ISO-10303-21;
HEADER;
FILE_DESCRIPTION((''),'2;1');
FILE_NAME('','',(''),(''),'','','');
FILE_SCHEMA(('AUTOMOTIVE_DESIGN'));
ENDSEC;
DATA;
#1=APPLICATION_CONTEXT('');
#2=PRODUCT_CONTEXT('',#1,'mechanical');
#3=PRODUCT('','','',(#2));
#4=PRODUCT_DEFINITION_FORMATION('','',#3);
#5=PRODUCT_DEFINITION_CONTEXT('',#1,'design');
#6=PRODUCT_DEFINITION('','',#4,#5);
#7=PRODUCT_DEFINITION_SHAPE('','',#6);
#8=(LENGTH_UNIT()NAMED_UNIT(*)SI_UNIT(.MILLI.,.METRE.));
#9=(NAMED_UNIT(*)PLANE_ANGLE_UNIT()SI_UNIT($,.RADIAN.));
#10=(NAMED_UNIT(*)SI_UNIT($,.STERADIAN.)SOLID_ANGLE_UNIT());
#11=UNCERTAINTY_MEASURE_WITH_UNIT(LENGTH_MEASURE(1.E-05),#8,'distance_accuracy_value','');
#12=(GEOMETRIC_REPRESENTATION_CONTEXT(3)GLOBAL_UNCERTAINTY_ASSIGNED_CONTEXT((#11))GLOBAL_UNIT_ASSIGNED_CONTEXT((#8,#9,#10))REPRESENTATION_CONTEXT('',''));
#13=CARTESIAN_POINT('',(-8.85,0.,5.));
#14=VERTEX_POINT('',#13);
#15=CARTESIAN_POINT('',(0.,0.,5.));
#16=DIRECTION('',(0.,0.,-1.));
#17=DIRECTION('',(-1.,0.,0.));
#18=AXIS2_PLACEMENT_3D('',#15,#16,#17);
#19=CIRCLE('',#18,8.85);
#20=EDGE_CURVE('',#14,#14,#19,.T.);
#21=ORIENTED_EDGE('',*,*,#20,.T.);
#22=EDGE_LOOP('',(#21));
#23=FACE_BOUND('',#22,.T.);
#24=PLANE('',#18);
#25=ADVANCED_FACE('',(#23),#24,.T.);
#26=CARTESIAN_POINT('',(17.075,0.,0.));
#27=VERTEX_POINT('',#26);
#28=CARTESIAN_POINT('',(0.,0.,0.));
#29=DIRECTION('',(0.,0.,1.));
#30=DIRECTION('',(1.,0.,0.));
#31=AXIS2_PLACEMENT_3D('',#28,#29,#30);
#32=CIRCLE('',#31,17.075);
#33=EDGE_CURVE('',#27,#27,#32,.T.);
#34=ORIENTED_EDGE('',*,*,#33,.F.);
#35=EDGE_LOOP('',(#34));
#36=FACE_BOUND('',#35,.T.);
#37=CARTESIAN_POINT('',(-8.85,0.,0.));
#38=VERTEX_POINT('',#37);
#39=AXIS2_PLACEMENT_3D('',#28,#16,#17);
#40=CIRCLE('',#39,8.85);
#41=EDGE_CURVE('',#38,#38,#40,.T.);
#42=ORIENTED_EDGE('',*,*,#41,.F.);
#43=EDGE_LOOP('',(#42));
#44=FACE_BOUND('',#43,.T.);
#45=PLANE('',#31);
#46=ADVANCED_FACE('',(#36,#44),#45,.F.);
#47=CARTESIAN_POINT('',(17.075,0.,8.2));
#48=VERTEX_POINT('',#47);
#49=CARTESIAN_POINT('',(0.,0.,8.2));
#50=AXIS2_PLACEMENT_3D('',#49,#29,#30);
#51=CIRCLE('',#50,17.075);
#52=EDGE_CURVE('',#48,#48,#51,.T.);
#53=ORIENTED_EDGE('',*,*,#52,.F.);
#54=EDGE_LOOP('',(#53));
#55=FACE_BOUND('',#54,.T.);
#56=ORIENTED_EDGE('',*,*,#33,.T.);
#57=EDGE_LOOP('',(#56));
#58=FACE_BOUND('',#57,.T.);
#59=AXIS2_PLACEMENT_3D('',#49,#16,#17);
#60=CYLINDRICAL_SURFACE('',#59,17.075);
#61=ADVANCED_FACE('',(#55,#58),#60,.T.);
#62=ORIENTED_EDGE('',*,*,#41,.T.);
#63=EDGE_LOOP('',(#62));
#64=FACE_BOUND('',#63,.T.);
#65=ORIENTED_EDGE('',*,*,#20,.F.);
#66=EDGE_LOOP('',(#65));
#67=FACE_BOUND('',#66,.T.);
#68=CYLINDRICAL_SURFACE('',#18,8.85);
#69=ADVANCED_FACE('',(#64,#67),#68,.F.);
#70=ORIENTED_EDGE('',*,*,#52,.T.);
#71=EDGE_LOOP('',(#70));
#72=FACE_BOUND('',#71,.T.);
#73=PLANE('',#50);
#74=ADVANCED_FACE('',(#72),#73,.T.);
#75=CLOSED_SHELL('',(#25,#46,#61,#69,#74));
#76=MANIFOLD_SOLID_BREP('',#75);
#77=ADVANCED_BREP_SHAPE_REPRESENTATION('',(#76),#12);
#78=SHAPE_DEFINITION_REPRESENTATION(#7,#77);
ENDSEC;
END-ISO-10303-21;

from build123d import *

# Parameters (mm, degrees)
ESBO_O1_R                = 17.075
RESSALTO_EXTRUS_O1_DEPTH = 8.2
ESBO_O2_R                = 8.85
CORTE_EXTRUS_O1_DEPTH    = 5


with BuildPart() as part:
    # Esboço1 → Ressalto-extrusão1 (new body)
    with BuildSketch(Plane.XY):
        Circle(ESBO_O1_R)
    extrude(amount=RESSALTO_EXTRUS_O1_DEPTH)

    # Esboço2 → Corte-extrusão1 (cut)
    with BuildSketch(Plane(origin=(0, 0, 0), x_dir=(-1, 0, 0), z_dir=(0, 0, -1))):
        Circle(ESBO_O2_R)
    extrude(amount=-CORTE_EXTRUS_O1_DEPTH, mode=Mode.SUBTRACT)


solid = part.part
